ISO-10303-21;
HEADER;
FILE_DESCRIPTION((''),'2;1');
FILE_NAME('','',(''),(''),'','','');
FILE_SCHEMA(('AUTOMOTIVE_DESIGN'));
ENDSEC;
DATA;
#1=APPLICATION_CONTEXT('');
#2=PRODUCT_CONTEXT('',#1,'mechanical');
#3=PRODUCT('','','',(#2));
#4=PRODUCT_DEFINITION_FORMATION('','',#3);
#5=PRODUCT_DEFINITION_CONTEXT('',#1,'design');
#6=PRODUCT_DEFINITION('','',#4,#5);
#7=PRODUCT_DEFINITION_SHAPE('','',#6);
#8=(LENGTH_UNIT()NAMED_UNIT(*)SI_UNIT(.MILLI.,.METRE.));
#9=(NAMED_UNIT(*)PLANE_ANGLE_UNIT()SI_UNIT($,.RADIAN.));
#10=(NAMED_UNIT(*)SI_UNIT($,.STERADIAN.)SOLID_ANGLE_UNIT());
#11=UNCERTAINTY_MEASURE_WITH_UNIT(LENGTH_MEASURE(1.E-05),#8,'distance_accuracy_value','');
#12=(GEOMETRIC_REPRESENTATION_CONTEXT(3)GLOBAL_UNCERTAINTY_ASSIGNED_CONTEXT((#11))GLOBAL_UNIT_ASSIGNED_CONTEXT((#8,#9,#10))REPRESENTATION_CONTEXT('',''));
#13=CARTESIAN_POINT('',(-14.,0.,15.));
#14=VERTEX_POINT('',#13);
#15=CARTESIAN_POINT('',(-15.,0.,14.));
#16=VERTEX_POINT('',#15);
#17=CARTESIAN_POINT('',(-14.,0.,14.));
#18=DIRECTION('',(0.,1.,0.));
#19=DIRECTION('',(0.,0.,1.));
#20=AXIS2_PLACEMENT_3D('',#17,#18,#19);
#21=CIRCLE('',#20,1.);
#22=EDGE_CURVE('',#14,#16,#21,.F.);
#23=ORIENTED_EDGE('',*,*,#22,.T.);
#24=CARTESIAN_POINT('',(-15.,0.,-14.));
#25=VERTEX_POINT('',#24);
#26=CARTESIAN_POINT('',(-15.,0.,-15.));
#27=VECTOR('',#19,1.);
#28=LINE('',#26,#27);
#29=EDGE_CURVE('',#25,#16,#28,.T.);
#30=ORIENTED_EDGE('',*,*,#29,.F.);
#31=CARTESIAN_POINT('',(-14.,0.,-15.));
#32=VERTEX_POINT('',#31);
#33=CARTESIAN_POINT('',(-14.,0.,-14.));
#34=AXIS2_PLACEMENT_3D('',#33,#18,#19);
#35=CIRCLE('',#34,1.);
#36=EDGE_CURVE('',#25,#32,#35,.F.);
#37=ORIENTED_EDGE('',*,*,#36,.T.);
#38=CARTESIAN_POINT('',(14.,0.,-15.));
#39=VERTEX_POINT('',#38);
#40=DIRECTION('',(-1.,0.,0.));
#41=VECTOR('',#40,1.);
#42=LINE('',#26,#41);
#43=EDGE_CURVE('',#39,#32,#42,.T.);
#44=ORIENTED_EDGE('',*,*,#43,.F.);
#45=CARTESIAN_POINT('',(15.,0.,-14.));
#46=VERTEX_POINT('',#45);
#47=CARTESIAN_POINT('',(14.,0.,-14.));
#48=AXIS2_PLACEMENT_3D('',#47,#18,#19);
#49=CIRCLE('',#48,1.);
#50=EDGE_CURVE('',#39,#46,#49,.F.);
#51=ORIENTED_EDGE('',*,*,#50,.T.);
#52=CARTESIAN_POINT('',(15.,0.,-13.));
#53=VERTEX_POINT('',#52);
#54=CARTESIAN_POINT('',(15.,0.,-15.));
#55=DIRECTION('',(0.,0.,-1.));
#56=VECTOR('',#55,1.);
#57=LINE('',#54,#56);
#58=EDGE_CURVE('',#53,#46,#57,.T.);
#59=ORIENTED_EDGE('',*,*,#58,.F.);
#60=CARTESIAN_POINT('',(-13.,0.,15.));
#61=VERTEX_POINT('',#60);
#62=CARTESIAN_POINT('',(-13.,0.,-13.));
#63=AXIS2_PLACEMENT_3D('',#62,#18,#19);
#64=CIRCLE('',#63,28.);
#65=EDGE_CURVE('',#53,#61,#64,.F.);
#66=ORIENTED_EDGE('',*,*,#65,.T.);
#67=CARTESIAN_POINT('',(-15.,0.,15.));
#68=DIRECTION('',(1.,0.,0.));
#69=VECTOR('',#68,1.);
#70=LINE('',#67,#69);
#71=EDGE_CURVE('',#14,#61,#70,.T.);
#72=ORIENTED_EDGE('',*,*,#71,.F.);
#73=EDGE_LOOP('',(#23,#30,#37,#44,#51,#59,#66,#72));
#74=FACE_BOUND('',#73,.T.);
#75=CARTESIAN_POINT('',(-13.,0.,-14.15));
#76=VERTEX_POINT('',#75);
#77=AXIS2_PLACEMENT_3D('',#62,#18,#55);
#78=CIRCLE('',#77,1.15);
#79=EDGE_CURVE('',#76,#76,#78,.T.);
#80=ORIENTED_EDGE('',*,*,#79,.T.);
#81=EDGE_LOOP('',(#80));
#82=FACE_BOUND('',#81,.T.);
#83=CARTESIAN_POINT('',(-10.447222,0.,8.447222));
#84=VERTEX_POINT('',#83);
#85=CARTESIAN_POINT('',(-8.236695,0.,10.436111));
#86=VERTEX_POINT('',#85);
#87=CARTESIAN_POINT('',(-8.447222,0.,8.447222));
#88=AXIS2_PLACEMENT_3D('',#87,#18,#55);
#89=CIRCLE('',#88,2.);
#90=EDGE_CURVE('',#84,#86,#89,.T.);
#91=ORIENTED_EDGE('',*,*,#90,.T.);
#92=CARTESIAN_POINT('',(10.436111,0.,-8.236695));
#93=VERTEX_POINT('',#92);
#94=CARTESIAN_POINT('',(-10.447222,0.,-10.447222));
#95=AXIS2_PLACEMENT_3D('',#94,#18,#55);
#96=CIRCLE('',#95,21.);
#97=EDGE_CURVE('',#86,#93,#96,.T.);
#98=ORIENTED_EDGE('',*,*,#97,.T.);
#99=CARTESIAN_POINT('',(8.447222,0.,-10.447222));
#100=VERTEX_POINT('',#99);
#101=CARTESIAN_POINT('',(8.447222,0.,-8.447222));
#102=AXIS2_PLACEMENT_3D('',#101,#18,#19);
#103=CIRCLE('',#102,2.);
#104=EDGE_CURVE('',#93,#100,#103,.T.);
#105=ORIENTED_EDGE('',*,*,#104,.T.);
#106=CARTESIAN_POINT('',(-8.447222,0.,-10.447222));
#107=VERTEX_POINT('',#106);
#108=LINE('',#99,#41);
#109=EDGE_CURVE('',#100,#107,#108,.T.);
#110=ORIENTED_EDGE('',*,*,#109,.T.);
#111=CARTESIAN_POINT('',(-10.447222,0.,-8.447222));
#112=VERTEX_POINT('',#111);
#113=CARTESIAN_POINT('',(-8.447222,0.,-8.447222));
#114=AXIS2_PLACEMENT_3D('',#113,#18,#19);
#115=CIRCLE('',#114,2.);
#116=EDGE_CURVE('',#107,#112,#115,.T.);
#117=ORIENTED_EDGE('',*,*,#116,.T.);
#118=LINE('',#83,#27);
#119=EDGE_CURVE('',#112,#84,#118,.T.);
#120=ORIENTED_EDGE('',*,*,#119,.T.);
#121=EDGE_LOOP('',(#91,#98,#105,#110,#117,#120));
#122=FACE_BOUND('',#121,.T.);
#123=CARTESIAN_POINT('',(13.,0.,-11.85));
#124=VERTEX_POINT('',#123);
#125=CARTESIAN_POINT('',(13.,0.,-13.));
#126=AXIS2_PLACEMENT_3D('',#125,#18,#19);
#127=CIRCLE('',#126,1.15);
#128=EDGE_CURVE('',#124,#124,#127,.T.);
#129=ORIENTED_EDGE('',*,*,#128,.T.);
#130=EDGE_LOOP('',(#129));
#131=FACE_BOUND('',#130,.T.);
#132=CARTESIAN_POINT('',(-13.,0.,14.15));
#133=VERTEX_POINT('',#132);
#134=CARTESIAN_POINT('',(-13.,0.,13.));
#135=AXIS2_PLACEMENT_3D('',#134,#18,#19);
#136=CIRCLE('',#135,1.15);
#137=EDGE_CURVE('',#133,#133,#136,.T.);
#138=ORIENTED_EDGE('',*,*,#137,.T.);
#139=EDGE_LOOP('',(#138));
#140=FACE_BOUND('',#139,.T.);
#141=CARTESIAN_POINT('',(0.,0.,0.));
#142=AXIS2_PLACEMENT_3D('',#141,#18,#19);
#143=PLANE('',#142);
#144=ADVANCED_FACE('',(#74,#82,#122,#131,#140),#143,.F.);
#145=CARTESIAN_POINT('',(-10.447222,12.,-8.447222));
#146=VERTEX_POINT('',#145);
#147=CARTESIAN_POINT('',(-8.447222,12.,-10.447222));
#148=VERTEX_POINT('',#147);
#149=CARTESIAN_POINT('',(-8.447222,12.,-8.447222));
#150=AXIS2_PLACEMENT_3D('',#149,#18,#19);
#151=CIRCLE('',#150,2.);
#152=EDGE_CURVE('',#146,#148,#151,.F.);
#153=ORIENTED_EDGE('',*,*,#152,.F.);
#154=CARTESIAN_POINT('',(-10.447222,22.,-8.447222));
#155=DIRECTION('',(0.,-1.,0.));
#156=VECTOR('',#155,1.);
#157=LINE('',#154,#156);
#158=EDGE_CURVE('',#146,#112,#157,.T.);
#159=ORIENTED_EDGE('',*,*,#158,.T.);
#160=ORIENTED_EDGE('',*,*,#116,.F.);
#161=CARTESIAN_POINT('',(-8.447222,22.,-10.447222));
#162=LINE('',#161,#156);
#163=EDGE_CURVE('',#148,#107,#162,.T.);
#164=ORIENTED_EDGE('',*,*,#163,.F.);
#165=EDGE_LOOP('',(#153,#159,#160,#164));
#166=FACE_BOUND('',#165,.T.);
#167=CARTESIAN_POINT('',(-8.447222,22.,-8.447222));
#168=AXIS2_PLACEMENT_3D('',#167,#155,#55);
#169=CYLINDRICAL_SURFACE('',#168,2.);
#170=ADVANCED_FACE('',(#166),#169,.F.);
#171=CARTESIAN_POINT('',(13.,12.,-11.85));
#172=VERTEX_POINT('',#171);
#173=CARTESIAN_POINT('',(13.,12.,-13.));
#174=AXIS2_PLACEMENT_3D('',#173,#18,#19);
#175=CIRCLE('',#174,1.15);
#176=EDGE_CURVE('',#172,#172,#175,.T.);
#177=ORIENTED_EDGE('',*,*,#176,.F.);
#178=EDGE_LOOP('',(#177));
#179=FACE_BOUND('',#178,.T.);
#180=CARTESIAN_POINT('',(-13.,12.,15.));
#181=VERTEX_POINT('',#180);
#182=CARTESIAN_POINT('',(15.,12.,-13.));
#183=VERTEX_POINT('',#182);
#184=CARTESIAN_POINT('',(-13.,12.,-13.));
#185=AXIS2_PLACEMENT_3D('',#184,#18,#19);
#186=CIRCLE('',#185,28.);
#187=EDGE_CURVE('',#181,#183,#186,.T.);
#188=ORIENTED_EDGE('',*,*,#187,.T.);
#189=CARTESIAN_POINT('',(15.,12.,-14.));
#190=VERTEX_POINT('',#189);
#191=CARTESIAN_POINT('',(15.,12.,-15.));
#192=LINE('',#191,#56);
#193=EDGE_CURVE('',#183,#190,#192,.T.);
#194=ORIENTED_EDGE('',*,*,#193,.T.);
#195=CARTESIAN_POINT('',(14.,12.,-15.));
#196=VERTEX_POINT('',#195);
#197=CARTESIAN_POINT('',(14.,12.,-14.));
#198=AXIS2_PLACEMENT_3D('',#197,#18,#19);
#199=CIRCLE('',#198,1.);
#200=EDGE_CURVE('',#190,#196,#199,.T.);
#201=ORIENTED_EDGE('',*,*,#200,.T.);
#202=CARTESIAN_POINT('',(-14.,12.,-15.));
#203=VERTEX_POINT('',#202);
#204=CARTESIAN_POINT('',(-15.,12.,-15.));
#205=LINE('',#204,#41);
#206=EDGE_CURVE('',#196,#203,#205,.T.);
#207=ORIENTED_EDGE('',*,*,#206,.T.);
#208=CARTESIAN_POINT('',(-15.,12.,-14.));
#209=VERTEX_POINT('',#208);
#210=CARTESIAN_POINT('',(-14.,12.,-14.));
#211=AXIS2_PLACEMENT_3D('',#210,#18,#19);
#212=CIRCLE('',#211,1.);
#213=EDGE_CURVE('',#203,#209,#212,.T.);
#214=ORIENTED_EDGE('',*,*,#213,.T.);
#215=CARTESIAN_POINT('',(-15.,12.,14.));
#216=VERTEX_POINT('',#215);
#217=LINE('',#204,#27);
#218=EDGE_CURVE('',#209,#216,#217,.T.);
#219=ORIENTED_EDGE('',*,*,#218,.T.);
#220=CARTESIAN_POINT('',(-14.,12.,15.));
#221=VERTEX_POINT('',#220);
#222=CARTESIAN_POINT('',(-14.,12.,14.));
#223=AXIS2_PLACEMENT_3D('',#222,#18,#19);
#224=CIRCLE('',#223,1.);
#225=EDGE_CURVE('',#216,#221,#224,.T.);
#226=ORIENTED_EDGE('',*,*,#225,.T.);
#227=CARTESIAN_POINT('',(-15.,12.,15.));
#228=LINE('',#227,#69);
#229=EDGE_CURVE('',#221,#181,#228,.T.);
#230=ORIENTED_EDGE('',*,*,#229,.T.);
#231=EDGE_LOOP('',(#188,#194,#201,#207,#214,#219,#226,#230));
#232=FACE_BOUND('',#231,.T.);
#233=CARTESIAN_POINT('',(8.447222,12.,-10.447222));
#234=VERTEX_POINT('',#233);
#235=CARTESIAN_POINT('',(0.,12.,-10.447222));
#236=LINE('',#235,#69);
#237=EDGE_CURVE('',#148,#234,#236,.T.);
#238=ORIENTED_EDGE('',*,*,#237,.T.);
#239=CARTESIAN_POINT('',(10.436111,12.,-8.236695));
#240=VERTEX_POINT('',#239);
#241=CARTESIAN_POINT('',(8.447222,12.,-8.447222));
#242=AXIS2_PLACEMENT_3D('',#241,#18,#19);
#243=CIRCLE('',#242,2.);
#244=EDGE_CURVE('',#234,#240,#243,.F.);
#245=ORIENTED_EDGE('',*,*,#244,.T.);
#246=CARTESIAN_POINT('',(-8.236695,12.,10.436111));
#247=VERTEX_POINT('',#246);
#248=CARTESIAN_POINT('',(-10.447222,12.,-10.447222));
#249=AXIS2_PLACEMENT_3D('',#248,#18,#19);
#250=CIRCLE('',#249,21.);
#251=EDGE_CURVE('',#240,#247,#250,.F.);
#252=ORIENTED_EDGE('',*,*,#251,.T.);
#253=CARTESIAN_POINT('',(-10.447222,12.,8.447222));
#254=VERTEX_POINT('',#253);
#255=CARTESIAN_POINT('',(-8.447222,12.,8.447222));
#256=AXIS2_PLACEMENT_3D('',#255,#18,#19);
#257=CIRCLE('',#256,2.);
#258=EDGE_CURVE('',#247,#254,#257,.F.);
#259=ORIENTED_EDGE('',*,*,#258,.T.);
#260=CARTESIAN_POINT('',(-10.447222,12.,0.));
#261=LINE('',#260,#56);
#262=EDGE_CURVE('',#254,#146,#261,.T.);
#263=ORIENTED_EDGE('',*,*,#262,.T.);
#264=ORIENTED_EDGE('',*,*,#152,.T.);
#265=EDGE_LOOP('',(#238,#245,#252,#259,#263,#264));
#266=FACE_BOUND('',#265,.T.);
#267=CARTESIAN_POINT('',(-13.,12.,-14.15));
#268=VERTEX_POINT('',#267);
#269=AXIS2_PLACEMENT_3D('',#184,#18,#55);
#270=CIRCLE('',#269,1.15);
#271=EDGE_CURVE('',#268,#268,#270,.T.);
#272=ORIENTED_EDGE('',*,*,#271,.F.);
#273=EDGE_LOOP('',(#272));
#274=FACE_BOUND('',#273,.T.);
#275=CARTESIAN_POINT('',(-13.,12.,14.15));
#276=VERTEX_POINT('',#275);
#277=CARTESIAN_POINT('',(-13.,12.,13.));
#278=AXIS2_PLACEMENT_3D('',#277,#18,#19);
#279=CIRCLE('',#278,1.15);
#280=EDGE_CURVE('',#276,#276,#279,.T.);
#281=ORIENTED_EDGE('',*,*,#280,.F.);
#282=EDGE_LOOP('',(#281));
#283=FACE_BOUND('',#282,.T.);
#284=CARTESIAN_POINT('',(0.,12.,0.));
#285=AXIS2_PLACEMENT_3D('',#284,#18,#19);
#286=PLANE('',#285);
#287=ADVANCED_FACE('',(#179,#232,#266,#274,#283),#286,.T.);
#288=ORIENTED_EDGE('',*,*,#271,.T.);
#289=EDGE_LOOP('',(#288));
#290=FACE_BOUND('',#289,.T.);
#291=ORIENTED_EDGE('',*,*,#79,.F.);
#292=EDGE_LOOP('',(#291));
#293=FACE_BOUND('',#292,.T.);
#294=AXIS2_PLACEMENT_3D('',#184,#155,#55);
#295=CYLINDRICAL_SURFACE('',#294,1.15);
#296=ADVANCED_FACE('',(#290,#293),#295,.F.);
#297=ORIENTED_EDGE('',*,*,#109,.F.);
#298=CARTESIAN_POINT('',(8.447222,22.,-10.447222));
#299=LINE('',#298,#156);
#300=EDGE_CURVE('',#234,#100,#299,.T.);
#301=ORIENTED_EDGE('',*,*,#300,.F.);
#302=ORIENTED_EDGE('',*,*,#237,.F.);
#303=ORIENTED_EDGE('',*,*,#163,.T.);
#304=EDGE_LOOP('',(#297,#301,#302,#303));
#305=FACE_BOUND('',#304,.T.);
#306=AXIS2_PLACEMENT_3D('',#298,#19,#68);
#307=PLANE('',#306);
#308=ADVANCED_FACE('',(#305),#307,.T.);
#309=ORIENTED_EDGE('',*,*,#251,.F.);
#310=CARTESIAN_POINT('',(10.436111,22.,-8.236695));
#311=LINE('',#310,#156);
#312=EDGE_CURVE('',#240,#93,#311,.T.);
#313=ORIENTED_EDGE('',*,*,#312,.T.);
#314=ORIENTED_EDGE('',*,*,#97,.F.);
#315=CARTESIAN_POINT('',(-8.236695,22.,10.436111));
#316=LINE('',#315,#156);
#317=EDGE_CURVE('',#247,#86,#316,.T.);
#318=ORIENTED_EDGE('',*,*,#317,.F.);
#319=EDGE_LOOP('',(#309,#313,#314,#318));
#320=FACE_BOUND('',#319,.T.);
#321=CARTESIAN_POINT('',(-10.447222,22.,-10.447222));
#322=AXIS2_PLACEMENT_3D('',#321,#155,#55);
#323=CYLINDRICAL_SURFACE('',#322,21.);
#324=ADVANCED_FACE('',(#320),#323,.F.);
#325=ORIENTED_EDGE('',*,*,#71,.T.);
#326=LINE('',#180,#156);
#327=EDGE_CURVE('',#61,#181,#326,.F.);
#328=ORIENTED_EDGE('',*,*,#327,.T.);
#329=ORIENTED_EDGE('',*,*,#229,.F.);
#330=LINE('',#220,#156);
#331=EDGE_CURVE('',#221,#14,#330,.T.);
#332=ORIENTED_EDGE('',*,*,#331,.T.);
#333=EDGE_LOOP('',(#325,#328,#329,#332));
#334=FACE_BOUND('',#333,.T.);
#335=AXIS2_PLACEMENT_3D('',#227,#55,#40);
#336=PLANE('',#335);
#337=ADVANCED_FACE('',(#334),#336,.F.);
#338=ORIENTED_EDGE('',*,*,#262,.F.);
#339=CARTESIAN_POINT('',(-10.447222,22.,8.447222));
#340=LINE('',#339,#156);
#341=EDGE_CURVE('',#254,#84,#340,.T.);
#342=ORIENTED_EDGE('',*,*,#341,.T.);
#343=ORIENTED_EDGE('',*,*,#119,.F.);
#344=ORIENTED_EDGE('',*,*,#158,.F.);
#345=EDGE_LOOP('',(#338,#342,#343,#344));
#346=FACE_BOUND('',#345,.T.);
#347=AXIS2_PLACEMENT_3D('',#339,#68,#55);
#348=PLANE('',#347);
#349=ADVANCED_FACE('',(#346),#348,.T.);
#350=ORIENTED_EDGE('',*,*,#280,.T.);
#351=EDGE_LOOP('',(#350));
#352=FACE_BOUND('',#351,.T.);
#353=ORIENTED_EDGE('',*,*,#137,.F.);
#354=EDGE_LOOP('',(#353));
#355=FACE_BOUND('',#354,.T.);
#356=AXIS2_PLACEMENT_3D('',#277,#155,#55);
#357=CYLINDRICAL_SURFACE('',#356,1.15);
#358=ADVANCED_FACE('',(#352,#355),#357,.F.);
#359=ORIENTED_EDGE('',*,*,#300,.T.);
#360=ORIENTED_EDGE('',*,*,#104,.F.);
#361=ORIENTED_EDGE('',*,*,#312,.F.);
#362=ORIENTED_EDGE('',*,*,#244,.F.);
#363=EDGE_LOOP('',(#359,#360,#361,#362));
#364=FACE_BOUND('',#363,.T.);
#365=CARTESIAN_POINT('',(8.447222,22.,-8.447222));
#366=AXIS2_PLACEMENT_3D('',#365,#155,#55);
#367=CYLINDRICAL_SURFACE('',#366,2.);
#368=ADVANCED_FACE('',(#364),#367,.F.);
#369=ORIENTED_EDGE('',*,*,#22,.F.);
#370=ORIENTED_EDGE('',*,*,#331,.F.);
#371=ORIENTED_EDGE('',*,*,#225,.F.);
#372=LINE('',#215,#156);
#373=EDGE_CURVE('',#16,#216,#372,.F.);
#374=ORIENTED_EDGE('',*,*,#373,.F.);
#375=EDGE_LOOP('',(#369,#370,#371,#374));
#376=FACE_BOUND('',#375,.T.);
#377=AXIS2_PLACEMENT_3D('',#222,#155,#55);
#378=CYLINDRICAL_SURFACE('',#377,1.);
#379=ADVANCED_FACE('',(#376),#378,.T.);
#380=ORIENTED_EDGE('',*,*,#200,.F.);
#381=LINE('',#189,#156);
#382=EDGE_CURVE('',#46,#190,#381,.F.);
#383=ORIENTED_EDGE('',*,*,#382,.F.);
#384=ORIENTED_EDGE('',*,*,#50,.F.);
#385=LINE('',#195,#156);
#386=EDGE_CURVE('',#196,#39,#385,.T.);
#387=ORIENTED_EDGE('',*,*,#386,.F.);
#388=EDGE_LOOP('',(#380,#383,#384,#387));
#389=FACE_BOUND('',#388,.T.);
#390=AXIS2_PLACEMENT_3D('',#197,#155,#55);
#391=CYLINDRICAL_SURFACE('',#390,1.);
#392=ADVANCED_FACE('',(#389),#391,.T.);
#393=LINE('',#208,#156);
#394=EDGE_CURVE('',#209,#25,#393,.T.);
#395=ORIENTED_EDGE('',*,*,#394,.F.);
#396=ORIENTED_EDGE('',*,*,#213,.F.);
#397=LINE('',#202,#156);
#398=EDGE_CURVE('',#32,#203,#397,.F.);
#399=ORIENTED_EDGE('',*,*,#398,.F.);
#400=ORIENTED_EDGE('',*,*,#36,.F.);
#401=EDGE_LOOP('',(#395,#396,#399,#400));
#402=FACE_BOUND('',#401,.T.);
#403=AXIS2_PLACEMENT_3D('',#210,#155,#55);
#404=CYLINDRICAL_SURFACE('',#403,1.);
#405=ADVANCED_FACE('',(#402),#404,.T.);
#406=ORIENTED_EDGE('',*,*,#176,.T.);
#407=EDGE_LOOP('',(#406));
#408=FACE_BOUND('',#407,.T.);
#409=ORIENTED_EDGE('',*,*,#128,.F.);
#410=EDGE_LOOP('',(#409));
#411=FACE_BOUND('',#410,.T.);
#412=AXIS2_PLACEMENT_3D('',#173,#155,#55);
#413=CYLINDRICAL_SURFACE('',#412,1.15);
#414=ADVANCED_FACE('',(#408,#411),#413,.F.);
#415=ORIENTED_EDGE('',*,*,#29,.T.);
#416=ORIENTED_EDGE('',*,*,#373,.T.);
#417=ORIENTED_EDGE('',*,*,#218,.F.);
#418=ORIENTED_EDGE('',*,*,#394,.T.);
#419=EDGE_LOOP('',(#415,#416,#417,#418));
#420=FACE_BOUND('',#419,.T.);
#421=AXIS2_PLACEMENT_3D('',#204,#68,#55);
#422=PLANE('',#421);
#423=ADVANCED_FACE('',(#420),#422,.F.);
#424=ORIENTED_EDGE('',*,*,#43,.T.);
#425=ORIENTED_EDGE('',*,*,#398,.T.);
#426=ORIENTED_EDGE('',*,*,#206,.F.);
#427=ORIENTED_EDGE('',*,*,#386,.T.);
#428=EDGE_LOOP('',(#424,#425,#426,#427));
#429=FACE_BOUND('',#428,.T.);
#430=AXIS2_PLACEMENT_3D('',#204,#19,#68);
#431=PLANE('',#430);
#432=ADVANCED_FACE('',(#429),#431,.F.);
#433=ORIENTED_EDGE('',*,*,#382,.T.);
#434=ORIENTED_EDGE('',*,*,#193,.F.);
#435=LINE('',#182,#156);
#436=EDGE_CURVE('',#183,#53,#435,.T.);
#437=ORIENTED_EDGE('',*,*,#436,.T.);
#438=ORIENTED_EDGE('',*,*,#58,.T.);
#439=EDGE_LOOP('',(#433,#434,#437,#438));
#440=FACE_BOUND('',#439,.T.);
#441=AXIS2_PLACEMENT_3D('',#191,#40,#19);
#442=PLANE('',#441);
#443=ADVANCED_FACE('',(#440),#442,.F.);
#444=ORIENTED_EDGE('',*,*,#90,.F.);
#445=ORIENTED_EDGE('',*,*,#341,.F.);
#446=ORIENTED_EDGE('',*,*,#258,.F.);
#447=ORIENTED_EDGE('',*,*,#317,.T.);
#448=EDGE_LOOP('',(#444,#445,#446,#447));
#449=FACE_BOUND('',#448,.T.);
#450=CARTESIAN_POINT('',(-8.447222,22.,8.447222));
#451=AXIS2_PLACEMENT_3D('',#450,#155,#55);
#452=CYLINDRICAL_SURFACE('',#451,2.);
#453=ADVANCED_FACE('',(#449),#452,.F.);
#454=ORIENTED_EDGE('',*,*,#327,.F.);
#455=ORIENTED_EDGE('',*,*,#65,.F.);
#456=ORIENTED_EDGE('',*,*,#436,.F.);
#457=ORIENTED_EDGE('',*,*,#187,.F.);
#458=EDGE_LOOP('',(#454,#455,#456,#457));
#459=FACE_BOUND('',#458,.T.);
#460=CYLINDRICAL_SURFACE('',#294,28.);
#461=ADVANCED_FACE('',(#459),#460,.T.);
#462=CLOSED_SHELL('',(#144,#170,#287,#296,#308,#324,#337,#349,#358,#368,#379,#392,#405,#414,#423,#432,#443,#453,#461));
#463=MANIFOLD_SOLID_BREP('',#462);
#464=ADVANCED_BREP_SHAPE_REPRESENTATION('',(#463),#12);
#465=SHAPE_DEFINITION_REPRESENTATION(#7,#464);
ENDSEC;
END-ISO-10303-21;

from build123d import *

# Parameters (mm, degrees)
SKETCH_1_W          = 30
SKETCH_1_H          = 30
SKETCH_1_R          = 1.15
EXTRUDE_1_DEPTH     = 12
FILLET_1_R          = 28
FILLET_2_R          = 1
CUT_EXTRUDE_3_DEPTH = 22


with BuildPart() as part:
    # 草图1 → 凸台-拉伸1 (new body)
    with BuildSketch(Plane(origin=(0, 0, 0), x_dir=(1, 0, 0), z_dir=(0, 1, 0))):
        Rectangle(SKETCH_1_W, SKETCH_1_H)
        with Locations(Location((13, 13, 0), (0, 0, 270))):
            Circle(SKETCH_1_R, mode=Mode.SUBTRACT)
        with Locations(Location((13, -13, 0), (0, 0, 90))):
            Circle(SKETCH_1_R, mode=Mode.SUBTRACT)
        with Locations(Location((-13, -13, 0), (0, 0, 270))):
            Circle(SKETCH_1_R, mode=Mode.SUBTRACT)
        with Locations(Location((-13, 13, 0), (0, 0, 90))):
            Circle(SKETCH_1_R, mode=Mode.SUBTRACT)
    extrude(amount=EXTRUDE_1_DEPTH)

    # 圆角1
    fillet_1_edges = [part.edges().sort_by_distance(p)[0] for p in [
        (15, 6, 15),
    ]]
    fillet(fillet_1_edges, radius=FILLET_1_R)

    # 圆角2
    fillet_2_edges = [part.edges().sort_by_distance(p)[0] for p in [
        (-15, 6, 15),
        (-15, 6, -15),
        (15, 6, -15),
    ]]
    fillet(fillet_2_edges, radius=FILLET_2_R)

    # 草图2 → 切除-拉伸3 (cut)
    with BuildSketch(Plane(origin=(0, 0, 0), x_dir=(1, 0, 0), z_dir=(0, 1, 0))):
        with BuildLine():
            Line((8.447221814, 10.447221814), (-8.447221814, 10.447221814))
            ThreePointArc((-8.447221814, 10.447221814), (-9.861435376, 9.861435376), (-10.447221814, 8.447221814))
            Line((-10.447221814, 8.447221814), (-10.447221814, -8.447221814))
            ThreePointArc((-10.447221814, -8.447221814), (-9.784933922, -9.934005697), (-8.236695498, -10.436110617))
            ThreePointArc((-8.236695498, -10.436110617), (4.402020591, -4.402020591), (10.436110617, 8.236695498))
            ThreePointArc((10.436110617, 8.236695498), (9.934005697, 9.784933922), (8.447221814, 10.447221814))
        make_face()
    extrude(amount=CUT_EXTRUDE_3_DEPTH, mode=Mode.SUBTRACT)


solid = part.part
